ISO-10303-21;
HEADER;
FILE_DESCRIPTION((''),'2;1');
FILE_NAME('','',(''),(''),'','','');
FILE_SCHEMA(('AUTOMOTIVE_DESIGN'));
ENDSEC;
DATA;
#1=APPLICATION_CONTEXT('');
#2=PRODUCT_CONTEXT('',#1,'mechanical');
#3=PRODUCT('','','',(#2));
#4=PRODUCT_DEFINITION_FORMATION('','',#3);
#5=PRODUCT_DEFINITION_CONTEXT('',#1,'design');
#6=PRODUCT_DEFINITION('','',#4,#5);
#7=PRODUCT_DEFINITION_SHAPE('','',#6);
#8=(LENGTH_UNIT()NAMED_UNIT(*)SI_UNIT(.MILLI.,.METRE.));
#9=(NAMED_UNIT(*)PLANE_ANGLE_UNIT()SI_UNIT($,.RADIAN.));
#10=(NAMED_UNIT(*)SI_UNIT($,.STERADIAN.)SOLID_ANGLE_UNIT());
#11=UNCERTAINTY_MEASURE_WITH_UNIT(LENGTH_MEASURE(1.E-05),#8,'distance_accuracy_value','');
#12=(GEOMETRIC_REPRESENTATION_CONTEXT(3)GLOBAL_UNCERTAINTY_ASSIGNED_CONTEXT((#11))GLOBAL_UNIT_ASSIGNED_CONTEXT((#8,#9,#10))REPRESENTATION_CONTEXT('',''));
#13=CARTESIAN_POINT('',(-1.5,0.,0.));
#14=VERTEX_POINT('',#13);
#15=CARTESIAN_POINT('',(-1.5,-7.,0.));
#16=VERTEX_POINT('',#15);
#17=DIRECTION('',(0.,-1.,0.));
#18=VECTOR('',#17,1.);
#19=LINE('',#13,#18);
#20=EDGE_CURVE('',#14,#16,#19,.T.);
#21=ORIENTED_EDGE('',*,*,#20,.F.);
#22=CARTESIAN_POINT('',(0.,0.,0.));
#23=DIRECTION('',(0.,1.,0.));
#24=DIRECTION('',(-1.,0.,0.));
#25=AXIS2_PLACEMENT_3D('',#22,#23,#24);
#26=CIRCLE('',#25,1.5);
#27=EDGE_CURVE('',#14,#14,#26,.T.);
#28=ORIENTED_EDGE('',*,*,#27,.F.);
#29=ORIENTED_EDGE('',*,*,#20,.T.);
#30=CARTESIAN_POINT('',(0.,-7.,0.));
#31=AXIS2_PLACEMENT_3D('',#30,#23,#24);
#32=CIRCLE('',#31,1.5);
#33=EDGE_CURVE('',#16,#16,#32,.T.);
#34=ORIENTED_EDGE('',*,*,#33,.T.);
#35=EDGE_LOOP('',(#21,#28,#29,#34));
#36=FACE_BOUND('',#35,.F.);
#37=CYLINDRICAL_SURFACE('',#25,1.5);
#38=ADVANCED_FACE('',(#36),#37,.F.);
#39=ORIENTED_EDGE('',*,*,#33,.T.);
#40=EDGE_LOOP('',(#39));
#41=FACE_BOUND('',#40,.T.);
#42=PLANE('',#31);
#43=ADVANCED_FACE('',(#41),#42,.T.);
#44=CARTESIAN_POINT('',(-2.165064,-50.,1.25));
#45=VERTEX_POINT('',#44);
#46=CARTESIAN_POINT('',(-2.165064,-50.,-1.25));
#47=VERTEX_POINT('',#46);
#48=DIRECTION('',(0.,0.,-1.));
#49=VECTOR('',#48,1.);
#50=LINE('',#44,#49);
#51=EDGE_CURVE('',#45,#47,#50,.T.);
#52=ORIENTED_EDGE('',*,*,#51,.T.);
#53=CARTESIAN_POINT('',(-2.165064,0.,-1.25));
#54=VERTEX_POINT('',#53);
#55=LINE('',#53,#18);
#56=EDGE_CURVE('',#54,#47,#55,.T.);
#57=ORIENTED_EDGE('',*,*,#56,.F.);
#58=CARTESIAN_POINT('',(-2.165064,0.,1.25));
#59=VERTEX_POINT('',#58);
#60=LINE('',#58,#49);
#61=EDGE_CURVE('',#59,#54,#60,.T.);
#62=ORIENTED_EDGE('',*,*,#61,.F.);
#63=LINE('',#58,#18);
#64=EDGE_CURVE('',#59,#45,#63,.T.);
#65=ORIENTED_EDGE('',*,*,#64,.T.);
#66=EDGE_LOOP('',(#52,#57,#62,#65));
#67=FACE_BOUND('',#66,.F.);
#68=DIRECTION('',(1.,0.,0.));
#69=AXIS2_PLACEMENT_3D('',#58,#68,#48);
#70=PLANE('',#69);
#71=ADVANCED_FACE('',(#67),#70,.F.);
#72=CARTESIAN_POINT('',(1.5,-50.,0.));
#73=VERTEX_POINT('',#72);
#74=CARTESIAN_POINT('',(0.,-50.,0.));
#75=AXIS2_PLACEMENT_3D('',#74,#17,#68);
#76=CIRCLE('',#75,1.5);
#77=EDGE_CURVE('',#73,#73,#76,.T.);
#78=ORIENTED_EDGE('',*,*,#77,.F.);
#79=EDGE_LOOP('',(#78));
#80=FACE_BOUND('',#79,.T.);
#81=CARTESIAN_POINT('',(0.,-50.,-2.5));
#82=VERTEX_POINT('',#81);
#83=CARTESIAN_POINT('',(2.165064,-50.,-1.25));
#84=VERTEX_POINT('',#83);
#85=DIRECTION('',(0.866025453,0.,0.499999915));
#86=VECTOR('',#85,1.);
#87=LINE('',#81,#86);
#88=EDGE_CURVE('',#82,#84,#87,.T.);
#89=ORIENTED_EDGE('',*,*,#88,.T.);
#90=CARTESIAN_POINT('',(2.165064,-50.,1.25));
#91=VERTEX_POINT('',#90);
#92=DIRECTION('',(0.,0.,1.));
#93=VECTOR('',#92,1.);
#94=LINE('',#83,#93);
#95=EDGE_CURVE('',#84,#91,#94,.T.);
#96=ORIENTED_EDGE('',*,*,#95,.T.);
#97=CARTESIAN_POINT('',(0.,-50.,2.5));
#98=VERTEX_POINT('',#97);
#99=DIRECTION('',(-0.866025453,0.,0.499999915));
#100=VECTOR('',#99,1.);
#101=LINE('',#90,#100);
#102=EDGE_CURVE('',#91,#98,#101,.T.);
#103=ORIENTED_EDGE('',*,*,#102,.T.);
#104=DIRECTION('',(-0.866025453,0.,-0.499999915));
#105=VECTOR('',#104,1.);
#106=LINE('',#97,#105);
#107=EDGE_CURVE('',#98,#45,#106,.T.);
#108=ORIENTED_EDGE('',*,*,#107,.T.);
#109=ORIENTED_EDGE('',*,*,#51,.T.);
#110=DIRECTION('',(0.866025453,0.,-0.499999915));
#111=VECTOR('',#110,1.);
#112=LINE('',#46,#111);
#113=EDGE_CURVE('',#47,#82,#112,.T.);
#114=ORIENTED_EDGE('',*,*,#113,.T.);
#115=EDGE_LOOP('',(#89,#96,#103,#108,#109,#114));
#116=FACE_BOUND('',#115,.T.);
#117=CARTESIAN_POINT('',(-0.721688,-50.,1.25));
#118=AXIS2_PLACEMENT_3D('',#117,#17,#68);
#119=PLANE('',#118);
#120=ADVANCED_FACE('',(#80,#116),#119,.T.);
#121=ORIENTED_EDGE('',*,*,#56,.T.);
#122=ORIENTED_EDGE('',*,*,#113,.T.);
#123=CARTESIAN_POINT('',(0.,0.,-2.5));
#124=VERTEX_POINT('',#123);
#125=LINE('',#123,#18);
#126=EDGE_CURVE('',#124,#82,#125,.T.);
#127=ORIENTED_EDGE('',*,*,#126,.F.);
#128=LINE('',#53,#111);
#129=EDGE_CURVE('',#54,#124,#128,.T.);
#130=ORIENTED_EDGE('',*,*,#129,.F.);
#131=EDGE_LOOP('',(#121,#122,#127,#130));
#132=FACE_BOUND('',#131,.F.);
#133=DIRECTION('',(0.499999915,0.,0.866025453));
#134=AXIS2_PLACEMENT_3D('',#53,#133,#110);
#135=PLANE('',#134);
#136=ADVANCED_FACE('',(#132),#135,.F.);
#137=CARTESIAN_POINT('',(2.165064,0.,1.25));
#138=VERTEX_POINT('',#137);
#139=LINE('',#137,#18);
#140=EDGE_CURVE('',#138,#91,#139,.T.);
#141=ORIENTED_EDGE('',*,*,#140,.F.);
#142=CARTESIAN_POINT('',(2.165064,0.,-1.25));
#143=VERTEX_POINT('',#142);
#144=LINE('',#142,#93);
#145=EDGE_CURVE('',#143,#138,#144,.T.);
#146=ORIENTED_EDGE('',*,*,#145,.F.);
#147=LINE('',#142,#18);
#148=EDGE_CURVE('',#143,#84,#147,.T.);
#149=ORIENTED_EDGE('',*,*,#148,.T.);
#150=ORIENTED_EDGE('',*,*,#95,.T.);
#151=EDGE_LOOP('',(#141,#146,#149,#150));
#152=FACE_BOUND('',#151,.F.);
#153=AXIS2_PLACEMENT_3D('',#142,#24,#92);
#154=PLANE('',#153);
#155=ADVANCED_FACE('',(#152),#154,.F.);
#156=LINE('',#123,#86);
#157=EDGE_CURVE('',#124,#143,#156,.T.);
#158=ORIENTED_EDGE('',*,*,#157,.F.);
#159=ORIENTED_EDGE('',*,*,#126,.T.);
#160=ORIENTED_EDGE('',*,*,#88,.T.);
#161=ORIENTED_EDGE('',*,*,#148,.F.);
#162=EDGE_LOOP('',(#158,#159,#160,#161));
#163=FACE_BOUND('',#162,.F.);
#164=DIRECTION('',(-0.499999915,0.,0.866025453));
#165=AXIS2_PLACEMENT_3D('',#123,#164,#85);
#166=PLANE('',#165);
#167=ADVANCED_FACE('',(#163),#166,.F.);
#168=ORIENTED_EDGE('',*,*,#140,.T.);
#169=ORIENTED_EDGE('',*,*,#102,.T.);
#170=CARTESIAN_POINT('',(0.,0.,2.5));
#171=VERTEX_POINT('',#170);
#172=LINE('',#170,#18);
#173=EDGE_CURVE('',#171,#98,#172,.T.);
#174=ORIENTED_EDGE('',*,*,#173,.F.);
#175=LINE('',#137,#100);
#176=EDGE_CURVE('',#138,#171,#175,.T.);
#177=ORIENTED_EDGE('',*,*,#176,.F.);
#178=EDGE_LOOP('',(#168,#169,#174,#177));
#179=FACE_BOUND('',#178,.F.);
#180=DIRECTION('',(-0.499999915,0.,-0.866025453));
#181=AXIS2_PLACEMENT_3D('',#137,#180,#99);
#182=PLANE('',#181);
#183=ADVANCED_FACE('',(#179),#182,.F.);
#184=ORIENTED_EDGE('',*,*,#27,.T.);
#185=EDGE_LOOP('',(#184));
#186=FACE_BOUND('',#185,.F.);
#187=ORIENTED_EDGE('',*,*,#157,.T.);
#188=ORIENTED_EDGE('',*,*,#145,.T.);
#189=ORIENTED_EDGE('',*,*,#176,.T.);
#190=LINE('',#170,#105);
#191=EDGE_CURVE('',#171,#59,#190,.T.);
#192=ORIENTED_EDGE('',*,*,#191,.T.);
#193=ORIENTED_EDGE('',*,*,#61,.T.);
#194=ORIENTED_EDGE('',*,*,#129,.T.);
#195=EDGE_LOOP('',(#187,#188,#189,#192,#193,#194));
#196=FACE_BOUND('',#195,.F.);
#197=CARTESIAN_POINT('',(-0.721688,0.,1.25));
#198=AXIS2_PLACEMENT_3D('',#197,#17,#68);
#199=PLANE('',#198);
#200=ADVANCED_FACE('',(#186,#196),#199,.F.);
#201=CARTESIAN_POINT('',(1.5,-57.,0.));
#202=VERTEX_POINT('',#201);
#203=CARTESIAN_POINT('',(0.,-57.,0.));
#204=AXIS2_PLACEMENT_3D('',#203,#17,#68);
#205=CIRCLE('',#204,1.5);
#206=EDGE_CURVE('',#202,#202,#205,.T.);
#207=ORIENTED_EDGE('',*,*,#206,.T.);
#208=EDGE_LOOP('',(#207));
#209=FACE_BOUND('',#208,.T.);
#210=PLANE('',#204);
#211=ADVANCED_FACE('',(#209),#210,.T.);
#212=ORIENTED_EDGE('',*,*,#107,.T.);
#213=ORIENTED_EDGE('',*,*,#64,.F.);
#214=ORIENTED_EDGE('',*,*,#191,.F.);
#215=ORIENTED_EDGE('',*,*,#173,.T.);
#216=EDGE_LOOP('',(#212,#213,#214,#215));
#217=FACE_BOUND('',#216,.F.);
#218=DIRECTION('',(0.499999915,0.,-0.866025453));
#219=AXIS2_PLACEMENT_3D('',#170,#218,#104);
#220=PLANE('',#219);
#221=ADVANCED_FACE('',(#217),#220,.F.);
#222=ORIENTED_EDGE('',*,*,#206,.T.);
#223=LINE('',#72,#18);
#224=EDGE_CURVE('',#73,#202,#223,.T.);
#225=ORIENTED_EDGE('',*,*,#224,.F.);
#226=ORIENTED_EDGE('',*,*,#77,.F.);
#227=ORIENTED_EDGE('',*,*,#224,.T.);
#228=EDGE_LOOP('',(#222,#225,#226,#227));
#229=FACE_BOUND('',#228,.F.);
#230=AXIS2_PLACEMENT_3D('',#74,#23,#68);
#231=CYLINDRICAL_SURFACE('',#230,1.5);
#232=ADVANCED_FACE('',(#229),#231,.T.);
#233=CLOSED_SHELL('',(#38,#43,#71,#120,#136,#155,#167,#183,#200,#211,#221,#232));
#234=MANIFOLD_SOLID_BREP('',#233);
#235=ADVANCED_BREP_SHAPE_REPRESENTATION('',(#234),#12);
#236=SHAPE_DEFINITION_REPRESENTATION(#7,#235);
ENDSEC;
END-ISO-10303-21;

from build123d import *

# Parameters (mm, degrees)
F1_DEPTH = 50
F2_R     = 1.5
F3_DEPTH = 7
F4_R     = 1.5
F5_DEPTH = 7


with BuildPart() as f1:
    # F0 (on Front) → F1 (new body)
    with BuildSketch(Plane.XZ):
        Polygon((-2.165064, 1.25), (0, 0), (0, 2.5), align=None)
        Polygon((2.165064, -1.25), (0, 0), (0, -2.5), align=None)
        Polygon((0, 2.5), (0, 0), (2.165064, 1.25), align=None)
        Polygon((2.165064, 1.25), (0, 0), (2.165064, -1.25), align=None)
        Polygon((0, -2.5), (0, 0), (-2.165064, -1.25), align=None)
        Polygon((-2.165064, -1.25), (0, 0), (-2.165064, 1.25), align=None)
    extrude(amount=F1_DEPTH)

    # F2 (on face) → F3 (join)
    with BuildSketch(Plane.XZ.offset(50)):
        Circle(F2_R)
    extrude(amount=F3_DEPTH)

    # F4 (on face) → F5 (cut)
    with BuildSketch(Plane(origin=(0, 0, 0), x_dir=(-1, 0, 0), z_dir=(0, 1, 0))):
        Circle(F4_R)
    extrude(amount=-F5_DEPTH, mode=Mode.SUBTRACT)


solid = f1.part
